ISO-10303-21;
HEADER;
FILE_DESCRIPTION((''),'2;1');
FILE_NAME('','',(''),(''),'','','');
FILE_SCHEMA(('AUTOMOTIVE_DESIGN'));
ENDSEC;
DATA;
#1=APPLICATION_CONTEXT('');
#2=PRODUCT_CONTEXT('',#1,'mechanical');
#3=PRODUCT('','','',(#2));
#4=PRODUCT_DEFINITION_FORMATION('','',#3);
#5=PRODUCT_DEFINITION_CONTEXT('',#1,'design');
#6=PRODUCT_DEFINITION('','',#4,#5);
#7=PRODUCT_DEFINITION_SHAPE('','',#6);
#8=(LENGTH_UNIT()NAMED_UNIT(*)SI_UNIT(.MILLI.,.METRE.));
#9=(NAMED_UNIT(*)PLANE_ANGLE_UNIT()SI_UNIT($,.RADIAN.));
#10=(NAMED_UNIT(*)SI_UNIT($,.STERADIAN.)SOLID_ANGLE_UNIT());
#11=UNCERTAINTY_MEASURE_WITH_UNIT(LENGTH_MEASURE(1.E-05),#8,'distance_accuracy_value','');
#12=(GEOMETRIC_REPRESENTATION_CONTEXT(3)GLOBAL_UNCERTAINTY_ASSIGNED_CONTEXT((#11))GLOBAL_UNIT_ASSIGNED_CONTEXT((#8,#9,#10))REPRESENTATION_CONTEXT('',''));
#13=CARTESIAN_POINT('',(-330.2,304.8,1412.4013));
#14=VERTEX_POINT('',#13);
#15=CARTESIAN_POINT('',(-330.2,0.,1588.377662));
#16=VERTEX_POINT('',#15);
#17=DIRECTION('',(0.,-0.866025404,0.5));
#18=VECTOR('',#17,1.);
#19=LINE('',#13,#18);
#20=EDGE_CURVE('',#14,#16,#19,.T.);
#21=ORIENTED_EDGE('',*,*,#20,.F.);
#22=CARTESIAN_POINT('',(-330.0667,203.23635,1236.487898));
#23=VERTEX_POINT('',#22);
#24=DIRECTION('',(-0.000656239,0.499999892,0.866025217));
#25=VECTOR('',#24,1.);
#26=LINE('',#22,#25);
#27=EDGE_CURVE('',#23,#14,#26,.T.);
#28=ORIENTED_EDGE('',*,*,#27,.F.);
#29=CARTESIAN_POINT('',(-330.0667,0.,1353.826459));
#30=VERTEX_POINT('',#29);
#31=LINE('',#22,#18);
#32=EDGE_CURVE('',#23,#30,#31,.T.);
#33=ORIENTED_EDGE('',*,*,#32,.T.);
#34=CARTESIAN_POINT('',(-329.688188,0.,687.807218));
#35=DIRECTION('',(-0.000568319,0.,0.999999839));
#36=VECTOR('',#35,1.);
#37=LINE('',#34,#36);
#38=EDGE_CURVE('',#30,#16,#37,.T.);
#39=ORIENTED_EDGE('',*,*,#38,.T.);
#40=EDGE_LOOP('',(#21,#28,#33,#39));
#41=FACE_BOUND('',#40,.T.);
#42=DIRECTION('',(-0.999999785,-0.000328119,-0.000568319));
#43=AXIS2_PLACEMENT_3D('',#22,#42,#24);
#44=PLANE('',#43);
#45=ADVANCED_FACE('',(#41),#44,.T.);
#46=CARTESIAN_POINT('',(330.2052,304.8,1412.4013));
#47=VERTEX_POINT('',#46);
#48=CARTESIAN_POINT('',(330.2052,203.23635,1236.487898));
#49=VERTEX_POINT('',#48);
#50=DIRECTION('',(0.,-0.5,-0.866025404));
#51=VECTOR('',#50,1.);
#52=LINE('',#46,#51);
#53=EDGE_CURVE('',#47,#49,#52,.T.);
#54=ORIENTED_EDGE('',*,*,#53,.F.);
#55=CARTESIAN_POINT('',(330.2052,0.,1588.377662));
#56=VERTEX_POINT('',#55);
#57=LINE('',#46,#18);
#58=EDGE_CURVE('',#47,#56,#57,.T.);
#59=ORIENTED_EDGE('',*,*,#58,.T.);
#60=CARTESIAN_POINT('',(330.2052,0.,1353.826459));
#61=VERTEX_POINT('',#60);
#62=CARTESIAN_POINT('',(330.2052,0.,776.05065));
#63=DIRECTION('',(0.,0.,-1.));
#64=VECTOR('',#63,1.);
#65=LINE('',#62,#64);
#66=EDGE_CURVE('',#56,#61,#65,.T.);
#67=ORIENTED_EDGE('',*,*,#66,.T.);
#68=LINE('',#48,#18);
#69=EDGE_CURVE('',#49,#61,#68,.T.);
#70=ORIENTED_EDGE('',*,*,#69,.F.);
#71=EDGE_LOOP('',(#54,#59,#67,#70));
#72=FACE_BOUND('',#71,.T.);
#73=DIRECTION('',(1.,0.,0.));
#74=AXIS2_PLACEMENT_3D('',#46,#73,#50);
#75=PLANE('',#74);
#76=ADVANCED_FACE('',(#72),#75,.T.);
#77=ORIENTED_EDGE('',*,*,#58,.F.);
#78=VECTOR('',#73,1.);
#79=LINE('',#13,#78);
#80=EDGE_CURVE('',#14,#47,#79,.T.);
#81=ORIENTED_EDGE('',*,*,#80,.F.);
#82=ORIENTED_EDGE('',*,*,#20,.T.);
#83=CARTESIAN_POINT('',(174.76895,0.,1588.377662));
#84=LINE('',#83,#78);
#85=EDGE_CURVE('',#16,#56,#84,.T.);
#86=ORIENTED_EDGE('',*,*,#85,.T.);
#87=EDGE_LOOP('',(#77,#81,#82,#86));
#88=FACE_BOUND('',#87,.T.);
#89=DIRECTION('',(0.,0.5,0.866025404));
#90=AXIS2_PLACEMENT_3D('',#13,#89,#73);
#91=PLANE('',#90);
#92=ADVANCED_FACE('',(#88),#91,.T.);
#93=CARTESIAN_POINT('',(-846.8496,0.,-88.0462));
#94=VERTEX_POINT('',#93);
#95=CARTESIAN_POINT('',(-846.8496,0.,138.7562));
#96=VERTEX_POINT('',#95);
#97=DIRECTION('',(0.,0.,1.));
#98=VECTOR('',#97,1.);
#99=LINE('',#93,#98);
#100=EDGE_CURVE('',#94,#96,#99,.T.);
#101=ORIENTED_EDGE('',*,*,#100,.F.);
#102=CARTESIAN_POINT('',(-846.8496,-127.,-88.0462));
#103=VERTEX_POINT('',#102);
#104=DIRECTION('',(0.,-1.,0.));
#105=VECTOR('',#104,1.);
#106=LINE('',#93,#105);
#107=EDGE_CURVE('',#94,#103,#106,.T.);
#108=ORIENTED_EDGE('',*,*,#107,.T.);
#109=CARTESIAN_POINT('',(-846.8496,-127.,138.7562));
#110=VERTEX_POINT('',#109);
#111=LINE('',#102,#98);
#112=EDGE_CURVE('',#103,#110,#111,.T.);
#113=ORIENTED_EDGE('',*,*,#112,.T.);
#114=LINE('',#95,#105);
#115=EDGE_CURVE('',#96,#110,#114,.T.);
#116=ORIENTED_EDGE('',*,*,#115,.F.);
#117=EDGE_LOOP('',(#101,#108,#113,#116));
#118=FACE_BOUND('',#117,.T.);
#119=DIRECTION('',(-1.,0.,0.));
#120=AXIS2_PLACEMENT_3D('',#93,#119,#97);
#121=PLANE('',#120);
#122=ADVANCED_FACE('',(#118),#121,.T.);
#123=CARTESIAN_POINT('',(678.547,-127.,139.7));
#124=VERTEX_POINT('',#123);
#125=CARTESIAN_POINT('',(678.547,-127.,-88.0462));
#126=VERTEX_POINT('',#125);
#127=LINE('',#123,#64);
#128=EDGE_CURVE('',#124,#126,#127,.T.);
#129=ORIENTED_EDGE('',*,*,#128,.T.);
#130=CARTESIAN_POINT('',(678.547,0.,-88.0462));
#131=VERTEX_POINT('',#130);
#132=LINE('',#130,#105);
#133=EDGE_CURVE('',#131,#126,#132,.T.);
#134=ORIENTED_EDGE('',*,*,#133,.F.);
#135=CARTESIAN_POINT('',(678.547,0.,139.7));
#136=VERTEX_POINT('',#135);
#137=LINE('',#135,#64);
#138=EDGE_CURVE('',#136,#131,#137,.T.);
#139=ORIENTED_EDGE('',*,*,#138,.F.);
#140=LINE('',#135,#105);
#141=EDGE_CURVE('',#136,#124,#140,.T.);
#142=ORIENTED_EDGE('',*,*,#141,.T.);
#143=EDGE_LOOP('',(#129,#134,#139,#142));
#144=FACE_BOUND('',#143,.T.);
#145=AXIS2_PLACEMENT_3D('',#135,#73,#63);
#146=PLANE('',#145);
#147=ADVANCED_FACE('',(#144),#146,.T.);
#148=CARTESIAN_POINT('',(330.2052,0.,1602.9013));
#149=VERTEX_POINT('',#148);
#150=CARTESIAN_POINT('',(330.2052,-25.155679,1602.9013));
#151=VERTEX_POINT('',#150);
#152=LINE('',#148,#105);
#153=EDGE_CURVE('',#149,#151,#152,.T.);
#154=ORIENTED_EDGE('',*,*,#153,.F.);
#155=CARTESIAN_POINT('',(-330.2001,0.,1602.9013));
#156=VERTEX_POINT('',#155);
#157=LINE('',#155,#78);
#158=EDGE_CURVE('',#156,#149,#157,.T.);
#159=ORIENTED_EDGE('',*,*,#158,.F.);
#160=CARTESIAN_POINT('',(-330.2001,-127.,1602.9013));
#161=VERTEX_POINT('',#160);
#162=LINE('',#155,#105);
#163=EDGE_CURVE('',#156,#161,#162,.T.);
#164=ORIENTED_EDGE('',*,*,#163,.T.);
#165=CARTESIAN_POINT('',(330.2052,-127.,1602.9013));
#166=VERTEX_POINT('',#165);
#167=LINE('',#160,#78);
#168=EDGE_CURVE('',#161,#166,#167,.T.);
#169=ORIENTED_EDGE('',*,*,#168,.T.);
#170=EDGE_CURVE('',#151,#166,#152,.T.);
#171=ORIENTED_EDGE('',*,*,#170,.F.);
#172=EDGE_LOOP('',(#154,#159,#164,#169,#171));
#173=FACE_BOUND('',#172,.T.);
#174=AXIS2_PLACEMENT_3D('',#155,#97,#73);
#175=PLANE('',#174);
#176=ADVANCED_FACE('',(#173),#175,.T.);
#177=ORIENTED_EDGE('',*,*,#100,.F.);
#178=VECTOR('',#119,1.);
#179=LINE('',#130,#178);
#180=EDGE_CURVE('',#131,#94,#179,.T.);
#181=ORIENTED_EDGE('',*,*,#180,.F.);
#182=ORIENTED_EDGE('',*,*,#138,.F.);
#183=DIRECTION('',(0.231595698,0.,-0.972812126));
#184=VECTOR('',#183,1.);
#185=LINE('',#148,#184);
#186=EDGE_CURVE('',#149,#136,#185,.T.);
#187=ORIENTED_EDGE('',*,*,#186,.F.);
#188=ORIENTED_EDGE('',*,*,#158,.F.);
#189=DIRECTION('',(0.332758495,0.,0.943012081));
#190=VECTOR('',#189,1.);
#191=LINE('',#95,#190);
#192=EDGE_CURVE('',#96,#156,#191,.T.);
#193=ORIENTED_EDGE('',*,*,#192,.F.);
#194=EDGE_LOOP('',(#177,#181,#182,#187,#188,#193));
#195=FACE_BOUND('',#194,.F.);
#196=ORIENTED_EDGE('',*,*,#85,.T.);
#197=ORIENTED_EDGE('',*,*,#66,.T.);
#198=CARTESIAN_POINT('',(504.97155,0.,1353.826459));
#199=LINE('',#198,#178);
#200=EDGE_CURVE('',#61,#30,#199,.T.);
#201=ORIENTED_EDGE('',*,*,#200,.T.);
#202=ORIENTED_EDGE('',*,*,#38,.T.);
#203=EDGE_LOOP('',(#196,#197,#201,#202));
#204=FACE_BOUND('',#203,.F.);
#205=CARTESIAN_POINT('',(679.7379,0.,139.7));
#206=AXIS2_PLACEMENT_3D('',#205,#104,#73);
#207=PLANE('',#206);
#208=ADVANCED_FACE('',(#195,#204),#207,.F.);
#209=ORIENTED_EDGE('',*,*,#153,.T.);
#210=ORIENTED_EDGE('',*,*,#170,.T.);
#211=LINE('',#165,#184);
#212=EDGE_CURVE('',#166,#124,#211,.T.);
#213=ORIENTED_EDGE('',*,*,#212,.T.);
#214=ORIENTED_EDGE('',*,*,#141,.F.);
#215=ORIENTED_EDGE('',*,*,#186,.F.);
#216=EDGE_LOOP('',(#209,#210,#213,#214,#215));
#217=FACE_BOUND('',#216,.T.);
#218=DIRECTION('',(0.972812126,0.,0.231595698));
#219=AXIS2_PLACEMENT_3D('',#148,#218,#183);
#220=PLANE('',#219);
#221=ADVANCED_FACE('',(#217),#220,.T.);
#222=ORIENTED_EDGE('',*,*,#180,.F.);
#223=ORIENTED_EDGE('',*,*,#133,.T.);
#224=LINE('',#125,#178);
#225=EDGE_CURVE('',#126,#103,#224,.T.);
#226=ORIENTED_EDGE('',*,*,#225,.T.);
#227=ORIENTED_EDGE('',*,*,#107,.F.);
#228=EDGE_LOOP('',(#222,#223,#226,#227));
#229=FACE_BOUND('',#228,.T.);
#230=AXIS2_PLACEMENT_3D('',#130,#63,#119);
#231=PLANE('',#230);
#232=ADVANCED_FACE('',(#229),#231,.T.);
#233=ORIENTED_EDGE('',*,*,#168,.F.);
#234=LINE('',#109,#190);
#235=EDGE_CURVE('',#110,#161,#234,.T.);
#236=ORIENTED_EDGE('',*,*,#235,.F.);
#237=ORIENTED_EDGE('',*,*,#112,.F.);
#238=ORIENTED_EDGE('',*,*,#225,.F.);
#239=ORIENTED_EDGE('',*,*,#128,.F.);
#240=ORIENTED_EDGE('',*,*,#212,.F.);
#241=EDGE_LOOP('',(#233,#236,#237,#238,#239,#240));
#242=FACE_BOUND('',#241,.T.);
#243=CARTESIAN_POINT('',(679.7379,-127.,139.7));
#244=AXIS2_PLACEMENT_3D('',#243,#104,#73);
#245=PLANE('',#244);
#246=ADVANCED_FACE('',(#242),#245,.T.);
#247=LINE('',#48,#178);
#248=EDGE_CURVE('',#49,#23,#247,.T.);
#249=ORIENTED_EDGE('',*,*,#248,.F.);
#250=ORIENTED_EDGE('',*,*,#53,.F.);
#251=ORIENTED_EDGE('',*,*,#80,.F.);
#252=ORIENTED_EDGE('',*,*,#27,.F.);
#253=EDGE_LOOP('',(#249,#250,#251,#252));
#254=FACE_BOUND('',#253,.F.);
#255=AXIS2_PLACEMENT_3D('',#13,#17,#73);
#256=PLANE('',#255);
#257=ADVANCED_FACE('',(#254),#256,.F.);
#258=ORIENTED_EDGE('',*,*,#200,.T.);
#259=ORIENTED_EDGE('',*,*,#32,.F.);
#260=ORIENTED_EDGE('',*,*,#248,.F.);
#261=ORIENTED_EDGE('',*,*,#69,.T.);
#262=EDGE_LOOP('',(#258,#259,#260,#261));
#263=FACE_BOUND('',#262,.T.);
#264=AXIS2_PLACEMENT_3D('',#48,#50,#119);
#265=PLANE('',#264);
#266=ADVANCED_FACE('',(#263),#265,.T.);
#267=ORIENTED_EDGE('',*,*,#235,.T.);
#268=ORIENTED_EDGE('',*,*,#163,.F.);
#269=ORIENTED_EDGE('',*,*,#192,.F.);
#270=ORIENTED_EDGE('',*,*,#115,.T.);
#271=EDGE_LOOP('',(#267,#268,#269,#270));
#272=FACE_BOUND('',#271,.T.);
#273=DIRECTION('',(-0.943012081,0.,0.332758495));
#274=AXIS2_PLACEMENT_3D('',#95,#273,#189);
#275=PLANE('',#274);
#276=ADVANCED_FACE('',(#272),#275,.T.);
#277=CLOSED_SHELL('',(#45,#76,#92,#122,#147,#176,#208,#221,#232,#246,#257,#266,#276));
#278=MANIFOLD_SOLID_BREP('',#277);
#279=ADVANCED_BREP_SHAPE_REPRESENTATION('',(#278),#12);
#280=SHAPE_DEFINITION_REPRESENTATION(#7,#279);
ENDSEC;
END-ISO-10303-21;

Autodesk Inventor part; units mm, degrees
ref_plane "YZ Plane" through (0, 0, 0) normal (1, 0, 0) x (0, 1, 0)
ref_plane "XZ Plane" through (0, 0, 0) normal (0, 1, 0) x (-1, 0, 0)
ref_plane "XY Plane" through (0, 0, 0) normal (0, 0, 1) x (1, 0, 0)
sketch "Sketch1" plane through (-330.2, 304.8, 1412.4013) normal (0, -0.866, 0.5) x (1, 0, 0)
  line L0 (0.1333, -203.1273) -> (0, 0)
  line L1 (0, 0) -> (660.4052, 0)
  line L2 (660.4052, 0) -> (660.4052, -203.1273)
  line L3 (660.4052, -203.1273) -> (0.1333, -203.1273)
  point P0 (330.2, -1375.5753)
extrude "Extrusion1" add sketch "Sketch1" along normal blind 381
sketch "Sketch2" plane through (679.7379, 0, 139.7) normal (0, -1, 0) x (1, 0, 0)
  line L0 (-1.1909, -227.7462) -> (-1526.5875, -227.7462)
  line L1 (-1526.5875, -227.7462) -> (-1526.5875, -0.9438)
  line L2 (-1009.938, 1272.7013) -> (-1009.938, 1463.2013) projected
  line L3 (-1526.5875, -0.9438) -> (-1009.938, 1463.2013)
  line L4 (-349.5327, 1287.2879) -> (-349.5327, 1463.2013) projected
  line L5 (-1009.938, 1463.2013) -> (-349.5327, 1463.2013)
  line L6 (-349.5327, 1463.2013) -> (-1.1909, 0)
  line L7 (-1.1909, 0) -> (-1.1909, -227.7462)
  point P0 (-679.7379, -139.7)
extrude "Extrusion2" add sketch "Sketch2" along normal blind 127
sketch "Sketch3" plane through (679.7379, 0, 139.7) normal (0, 1, 0) x (1, 0, 0)
  line L0 (-1.1909, 0) -> (-349.5327, -1463.2013) projected
  line L1 (-346.1567, -1449.0205) -> (-1.1909, 0)
  line L2 (-1.1909, 0) -> (-123.0131, 0)
  line L3 (-349.5327, -1096.7879) -> (-349.5327, -1214.1265) projected
  line L4 (-123.0131, 0) -> (-349.5327, -1214.1265)
  line L5 (-349.5327, -1214.1265) -> (-349.5327, -1449.0205)
  line L6 (-349.5327, -1449.0205) -> (-346.1567, -1449.0205)
  point P0 (-679.7379, 139.7)
properties part number "esp32-s3-devkitc-1 ChipUp PinsExposed Bottom (1)"
